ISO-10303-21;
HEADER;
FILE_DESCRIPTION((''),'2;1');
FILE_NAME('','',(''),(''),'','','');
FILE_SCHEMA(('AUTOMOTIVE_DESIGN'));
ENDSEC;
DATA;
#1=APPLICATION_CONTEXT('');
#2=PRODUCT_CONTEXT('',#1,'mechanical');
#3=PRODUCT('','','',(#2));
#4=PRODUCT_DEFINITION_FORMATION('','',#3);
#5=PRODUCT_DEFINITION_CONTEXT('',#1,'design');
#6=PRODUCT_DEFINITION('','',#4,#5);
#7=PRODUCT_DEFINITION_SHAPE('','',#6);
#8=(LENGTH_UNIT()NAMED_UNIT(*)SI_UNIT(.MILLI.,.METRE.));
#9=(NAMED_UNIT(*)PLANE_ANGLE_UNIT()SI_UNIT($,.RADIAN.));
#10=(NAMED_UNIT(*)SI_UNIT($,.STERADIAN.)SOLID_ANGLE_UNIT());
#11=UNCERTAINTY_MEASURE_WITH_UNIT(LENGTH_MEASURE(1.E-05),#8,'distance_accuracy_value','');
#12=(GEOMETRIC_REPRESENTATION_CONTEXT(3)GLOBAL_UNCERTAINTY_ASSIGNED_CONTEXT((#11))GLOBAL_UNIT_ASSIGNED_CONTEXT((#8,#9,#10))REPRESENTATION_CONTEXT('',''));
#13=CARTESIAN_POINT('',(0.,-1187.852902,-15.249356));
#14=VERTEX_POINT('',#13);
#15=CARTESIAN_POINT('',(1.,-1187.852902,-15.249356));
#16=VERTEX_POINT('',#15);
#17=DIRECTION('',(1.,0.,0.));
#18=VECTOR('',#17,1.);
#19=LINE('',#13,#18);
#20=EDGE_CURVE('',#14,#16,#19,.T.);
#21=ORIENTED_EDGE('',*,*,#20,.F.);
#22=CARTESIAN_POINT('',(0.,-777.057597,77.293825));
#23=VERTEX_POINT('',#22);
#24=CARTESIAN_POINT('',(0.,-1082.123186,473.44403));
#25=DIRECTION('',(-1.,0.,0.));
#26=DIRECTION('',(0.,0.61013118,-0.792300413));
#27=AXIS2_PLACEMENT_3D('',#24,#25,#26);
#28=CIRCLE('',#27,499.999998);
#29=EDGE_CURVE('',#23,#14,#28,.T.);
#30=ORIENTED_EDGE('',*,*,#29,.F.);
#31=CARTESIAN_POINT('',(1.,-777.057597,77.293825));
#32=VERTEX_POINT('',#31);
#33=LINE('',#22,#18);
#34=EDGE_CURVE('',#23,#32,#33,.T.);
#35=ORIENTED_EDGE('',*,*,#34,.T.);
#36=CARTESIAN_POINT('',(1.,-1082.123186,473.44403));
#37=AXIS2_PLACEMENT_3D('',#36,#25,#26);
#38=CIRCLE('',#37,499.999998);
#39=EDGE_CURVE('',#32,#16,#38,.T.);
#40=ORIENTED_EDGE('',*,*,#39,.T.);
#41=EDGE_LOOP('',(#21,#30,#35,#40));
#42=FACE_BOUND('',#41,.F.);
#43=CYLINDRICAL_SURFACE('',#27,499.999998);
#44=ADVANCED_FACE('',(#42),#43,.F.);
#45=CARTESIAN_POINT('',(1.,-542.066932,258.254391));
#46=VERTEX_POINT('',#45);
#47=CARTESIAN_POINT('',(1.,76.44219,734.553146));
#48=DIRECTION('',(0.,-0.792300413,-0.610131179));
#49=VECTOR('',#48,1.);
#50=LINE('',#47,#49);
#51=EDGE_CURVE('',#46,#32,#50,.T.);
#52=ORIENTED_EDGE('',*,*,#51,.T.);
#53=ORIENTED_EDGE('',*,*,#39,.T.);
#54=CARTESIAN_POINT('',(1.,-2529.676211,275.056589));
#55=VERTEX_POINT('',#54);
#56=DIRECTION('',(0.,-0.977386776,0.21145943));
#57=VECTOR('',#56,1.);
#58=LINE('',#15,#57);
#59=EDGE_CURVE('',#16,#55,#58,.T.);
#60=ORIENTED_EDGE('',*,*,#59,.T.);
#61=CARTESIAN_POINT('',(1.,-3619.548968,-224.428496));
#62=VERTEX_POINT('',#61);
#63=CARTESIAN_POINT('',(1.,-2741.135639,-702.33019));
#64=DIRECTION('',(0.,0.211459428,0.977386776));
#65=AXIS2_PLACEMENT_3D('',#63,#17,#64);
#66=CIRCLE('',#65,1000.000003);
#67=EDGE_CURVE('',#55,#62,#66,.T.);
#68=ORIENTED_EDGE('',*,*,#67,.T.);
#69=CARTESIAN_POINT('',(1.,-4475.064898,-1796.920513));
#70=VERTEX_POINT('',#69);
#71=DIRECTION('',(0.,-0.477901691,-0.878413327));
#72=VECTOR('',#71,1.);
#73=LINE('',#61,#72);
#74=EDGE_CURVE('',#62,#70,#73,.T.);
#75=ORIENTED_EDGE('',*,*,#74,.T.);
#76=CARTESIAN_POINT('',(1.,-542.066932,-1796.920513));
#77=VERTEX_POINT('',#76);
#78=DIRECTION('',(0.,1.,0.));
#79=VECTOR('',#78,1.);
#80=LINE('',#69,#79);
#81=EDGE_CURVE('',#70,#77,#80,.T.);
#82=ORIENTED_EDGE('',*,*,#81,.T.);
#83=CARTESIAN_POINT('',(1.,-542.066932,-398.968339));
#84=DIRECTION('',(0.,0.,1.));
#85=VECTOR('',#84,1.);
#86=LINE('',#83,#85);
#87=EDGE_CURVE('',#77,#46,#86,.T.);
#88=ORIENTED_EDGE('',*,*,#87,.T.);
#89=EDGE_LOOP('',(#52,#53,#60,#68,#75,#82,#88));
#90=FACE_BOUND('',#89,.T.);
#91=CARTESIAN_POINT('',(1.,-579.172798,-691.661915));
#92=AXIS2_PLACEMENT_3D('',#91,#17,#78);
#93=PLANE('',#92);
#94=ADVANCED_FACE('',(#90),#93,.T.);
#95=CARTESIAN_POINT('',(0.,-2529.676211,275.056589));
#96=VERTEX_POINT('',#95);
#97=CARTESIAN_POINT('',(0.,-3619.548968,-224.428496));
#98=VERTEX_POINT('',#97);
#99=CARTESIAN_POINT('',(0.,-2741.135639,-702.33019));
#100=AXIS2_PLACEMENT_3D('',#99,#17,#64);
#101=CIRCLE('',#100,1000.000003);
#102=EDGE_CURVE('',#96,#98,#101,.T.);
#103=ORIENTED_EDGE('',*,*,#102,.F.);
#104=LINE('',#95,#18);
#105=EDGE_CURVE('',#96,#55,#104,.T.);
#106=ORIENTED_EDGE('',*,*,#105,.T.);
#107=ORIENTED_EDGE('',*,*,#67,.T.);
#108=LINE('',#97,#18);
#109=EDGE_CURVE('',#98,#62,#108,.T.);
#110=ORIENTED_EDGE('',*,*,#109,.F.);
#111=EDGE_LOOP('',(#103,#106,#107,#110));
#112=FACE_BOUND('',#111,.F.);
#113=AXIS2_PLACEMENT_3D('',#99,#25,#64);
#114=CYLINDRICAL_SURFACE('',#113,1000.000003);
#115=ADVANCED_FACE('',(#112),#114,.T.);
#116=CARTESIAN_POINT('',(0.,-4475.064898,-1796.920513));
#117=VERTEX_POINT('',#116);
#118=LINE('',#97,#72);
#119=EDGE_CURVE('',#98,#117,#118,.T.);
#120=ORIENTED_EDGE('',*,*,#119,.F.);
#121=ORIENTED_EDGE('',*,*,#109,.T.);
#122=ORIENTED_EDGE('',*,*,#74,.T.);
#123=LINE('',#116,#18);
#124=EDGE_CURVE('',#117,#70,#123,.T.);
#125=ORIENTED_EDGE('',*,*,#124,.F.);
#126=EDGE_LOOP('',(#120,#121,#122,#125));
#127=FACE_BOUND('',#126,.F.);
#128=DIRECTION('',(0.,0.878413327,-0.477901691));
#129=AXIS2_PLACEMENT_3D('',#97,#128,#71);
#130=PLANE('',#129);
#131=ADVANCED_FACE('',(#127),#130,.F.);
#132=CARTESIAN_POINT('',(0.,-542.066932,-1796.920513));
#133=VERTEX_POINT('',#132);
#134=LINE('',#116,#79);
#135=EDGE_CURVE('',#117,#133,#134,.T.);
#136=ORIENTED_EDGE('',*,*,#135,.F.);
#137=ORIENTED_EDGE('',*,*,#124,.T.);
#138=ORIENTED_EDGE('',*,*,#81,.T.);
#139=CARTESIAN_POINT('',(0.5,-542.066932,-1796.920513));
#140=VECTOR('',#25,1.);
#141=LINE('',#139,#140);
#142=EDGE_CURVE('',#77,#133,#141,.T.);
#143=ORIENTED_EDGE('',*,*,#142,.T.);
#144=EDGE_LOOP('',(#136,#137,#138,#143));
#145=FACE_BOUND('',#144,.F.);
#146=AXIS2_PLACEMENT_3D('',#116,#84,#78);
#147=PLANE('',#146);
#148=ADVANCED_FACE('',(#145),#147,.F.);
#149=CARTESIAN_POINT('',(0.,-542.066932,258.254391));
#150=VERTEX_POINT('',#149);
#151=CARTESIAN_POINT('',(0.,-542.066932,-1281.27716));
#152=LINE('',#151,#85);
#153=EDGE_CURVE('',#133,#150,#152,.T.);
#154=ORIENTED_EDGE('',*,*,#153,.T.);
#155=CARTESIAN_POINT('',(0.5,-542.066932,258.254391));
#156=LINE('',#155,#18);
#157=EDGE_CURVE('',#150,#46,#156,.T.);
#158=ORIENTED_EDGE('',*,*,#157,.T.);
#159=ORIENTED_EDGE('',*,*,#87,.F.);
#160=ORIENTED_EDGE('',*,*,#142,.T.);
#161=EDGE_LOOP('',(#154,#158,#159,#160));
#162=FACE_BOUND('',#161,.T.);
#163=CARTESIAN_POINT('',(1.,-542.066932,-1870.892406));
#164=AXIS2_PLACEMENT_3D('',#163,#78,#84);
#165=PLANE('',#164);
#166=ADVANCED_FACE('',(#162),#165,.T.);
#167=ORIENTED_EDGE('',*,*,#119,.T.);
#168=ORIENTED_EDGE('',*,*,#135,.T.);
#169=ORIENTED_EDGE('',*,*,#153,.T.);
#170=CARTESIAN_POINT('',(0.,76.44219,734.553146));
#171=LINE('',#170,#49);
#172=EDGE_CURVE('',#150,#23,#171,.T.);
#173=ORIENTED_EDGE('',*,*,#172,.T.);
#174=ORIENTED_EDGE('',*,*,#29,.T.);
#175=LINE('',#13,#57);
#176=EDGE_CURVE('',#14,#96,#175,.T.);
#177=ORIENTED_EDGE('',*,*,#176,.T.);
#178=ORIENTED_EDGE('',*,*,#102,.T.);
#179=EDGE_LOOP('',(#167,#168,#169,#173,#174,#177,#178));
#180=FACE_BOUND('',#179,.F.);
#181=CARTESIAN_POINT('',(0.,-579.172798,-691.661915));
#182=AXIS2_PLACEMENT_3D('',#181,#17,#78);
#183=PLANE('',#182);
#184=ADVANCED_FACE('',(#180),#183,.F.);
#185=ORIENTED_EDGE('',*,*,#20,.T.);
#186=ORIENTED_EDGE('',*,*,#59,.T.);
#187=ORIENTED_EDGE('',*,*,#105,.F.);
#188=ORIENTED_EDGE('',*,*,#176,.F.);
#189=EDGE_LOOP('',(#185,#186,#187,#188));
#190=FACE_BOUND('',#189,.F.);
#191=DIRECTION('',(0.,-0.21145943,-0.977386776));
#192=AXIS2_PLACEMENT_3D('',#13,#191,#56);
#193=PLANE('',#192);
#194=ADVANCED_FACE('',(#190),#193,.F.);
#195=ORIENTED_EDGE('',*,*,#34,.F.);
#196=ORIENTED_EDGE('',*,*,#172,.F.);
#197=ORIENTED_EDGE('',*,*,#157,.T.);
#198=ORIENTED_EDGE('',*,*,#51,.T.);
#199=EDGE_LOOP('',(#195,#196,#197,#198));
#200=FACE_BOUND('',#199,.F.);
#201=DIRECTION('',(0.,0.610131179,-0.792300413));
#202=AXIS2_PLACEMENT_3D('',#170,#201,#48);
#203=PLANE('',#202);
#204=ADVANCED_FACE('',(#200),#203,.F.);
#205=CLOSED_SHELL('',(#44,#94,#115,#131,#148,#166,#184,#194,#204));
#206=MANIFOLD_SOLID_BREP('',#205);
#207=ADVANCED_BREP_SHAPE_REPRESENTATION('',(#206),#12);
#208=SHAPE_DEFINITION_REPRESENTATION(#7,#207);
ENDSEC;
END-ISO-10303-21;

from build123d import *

# Parameters (mm, degrees)
F1_DEPTH = 1
F2_W     = 3225.491882
F2_H     = 2943.848134
F3_DEPTH = 1000


with BuildPart() as f1:
    # F0 (on Right) → F1 (new body)
    with BuildSketch(Plane.YZ):
        with BuildLine():
            Line((-3619.548968, -224.428496), (-4475.064898, -1796.920513))
            Line((-4475.064898, -1796.920513), (-25.064898, -1796.920513))
            Line((-25.064898, -1796.920513), (-25.064898, 277.382151))
            Line((-25.064898, 277.382151), (974.935102, 277.382151))
            Line((974.935102, 277.382151), (974.935102, -1796.920513))
            Line((974.935102, -1796.920513), (2424.935102, -1796.920513))
            Line((2424.935102, -1796.920513), (2424.935102, -362.4883))
            Line((2424.935102, -362.4883), (1982.259828, -186.180527))
            ThreePointArc((1982.259828, -186.180527), (1895.679419, -133.217027), (1831.714223, -54.41504))
            Line((1831.714223, -54.41504), (1558.403102, 432.061794))
            ThreePointArc((1558.403102, 432.061794), (886.565338, 922.050269), (76.44219, 734.553146))
            Line((76.44219, 734.553146), (-777.057597, 77.293825))
            ThreePointArc((-777.057597, 77.293825), (-972.237984, -14.33178), (-1187.852902, -15.249356))
            Line((-1187.852902, -15.249356), (-2529.676211, 275.056589))
            ThreePointArc((-2529.676211, 275.056589), (-3157.762827, 206.74725), (-3619.548968, -224.428496))
        make_face()
    extrude(amount=F1_DEPTH)

    # F2 (on face) → F3 (cut)
    with BuildSketch(Plane.YZ.offset(1)):
        with Locations((1070.679009, -398.968339)):
            Rectangle(F2_W, F2_H)
    extrude(amount=-F3_DEPTH, mode=Mode.SUBTRACT)


solid = f1.part
